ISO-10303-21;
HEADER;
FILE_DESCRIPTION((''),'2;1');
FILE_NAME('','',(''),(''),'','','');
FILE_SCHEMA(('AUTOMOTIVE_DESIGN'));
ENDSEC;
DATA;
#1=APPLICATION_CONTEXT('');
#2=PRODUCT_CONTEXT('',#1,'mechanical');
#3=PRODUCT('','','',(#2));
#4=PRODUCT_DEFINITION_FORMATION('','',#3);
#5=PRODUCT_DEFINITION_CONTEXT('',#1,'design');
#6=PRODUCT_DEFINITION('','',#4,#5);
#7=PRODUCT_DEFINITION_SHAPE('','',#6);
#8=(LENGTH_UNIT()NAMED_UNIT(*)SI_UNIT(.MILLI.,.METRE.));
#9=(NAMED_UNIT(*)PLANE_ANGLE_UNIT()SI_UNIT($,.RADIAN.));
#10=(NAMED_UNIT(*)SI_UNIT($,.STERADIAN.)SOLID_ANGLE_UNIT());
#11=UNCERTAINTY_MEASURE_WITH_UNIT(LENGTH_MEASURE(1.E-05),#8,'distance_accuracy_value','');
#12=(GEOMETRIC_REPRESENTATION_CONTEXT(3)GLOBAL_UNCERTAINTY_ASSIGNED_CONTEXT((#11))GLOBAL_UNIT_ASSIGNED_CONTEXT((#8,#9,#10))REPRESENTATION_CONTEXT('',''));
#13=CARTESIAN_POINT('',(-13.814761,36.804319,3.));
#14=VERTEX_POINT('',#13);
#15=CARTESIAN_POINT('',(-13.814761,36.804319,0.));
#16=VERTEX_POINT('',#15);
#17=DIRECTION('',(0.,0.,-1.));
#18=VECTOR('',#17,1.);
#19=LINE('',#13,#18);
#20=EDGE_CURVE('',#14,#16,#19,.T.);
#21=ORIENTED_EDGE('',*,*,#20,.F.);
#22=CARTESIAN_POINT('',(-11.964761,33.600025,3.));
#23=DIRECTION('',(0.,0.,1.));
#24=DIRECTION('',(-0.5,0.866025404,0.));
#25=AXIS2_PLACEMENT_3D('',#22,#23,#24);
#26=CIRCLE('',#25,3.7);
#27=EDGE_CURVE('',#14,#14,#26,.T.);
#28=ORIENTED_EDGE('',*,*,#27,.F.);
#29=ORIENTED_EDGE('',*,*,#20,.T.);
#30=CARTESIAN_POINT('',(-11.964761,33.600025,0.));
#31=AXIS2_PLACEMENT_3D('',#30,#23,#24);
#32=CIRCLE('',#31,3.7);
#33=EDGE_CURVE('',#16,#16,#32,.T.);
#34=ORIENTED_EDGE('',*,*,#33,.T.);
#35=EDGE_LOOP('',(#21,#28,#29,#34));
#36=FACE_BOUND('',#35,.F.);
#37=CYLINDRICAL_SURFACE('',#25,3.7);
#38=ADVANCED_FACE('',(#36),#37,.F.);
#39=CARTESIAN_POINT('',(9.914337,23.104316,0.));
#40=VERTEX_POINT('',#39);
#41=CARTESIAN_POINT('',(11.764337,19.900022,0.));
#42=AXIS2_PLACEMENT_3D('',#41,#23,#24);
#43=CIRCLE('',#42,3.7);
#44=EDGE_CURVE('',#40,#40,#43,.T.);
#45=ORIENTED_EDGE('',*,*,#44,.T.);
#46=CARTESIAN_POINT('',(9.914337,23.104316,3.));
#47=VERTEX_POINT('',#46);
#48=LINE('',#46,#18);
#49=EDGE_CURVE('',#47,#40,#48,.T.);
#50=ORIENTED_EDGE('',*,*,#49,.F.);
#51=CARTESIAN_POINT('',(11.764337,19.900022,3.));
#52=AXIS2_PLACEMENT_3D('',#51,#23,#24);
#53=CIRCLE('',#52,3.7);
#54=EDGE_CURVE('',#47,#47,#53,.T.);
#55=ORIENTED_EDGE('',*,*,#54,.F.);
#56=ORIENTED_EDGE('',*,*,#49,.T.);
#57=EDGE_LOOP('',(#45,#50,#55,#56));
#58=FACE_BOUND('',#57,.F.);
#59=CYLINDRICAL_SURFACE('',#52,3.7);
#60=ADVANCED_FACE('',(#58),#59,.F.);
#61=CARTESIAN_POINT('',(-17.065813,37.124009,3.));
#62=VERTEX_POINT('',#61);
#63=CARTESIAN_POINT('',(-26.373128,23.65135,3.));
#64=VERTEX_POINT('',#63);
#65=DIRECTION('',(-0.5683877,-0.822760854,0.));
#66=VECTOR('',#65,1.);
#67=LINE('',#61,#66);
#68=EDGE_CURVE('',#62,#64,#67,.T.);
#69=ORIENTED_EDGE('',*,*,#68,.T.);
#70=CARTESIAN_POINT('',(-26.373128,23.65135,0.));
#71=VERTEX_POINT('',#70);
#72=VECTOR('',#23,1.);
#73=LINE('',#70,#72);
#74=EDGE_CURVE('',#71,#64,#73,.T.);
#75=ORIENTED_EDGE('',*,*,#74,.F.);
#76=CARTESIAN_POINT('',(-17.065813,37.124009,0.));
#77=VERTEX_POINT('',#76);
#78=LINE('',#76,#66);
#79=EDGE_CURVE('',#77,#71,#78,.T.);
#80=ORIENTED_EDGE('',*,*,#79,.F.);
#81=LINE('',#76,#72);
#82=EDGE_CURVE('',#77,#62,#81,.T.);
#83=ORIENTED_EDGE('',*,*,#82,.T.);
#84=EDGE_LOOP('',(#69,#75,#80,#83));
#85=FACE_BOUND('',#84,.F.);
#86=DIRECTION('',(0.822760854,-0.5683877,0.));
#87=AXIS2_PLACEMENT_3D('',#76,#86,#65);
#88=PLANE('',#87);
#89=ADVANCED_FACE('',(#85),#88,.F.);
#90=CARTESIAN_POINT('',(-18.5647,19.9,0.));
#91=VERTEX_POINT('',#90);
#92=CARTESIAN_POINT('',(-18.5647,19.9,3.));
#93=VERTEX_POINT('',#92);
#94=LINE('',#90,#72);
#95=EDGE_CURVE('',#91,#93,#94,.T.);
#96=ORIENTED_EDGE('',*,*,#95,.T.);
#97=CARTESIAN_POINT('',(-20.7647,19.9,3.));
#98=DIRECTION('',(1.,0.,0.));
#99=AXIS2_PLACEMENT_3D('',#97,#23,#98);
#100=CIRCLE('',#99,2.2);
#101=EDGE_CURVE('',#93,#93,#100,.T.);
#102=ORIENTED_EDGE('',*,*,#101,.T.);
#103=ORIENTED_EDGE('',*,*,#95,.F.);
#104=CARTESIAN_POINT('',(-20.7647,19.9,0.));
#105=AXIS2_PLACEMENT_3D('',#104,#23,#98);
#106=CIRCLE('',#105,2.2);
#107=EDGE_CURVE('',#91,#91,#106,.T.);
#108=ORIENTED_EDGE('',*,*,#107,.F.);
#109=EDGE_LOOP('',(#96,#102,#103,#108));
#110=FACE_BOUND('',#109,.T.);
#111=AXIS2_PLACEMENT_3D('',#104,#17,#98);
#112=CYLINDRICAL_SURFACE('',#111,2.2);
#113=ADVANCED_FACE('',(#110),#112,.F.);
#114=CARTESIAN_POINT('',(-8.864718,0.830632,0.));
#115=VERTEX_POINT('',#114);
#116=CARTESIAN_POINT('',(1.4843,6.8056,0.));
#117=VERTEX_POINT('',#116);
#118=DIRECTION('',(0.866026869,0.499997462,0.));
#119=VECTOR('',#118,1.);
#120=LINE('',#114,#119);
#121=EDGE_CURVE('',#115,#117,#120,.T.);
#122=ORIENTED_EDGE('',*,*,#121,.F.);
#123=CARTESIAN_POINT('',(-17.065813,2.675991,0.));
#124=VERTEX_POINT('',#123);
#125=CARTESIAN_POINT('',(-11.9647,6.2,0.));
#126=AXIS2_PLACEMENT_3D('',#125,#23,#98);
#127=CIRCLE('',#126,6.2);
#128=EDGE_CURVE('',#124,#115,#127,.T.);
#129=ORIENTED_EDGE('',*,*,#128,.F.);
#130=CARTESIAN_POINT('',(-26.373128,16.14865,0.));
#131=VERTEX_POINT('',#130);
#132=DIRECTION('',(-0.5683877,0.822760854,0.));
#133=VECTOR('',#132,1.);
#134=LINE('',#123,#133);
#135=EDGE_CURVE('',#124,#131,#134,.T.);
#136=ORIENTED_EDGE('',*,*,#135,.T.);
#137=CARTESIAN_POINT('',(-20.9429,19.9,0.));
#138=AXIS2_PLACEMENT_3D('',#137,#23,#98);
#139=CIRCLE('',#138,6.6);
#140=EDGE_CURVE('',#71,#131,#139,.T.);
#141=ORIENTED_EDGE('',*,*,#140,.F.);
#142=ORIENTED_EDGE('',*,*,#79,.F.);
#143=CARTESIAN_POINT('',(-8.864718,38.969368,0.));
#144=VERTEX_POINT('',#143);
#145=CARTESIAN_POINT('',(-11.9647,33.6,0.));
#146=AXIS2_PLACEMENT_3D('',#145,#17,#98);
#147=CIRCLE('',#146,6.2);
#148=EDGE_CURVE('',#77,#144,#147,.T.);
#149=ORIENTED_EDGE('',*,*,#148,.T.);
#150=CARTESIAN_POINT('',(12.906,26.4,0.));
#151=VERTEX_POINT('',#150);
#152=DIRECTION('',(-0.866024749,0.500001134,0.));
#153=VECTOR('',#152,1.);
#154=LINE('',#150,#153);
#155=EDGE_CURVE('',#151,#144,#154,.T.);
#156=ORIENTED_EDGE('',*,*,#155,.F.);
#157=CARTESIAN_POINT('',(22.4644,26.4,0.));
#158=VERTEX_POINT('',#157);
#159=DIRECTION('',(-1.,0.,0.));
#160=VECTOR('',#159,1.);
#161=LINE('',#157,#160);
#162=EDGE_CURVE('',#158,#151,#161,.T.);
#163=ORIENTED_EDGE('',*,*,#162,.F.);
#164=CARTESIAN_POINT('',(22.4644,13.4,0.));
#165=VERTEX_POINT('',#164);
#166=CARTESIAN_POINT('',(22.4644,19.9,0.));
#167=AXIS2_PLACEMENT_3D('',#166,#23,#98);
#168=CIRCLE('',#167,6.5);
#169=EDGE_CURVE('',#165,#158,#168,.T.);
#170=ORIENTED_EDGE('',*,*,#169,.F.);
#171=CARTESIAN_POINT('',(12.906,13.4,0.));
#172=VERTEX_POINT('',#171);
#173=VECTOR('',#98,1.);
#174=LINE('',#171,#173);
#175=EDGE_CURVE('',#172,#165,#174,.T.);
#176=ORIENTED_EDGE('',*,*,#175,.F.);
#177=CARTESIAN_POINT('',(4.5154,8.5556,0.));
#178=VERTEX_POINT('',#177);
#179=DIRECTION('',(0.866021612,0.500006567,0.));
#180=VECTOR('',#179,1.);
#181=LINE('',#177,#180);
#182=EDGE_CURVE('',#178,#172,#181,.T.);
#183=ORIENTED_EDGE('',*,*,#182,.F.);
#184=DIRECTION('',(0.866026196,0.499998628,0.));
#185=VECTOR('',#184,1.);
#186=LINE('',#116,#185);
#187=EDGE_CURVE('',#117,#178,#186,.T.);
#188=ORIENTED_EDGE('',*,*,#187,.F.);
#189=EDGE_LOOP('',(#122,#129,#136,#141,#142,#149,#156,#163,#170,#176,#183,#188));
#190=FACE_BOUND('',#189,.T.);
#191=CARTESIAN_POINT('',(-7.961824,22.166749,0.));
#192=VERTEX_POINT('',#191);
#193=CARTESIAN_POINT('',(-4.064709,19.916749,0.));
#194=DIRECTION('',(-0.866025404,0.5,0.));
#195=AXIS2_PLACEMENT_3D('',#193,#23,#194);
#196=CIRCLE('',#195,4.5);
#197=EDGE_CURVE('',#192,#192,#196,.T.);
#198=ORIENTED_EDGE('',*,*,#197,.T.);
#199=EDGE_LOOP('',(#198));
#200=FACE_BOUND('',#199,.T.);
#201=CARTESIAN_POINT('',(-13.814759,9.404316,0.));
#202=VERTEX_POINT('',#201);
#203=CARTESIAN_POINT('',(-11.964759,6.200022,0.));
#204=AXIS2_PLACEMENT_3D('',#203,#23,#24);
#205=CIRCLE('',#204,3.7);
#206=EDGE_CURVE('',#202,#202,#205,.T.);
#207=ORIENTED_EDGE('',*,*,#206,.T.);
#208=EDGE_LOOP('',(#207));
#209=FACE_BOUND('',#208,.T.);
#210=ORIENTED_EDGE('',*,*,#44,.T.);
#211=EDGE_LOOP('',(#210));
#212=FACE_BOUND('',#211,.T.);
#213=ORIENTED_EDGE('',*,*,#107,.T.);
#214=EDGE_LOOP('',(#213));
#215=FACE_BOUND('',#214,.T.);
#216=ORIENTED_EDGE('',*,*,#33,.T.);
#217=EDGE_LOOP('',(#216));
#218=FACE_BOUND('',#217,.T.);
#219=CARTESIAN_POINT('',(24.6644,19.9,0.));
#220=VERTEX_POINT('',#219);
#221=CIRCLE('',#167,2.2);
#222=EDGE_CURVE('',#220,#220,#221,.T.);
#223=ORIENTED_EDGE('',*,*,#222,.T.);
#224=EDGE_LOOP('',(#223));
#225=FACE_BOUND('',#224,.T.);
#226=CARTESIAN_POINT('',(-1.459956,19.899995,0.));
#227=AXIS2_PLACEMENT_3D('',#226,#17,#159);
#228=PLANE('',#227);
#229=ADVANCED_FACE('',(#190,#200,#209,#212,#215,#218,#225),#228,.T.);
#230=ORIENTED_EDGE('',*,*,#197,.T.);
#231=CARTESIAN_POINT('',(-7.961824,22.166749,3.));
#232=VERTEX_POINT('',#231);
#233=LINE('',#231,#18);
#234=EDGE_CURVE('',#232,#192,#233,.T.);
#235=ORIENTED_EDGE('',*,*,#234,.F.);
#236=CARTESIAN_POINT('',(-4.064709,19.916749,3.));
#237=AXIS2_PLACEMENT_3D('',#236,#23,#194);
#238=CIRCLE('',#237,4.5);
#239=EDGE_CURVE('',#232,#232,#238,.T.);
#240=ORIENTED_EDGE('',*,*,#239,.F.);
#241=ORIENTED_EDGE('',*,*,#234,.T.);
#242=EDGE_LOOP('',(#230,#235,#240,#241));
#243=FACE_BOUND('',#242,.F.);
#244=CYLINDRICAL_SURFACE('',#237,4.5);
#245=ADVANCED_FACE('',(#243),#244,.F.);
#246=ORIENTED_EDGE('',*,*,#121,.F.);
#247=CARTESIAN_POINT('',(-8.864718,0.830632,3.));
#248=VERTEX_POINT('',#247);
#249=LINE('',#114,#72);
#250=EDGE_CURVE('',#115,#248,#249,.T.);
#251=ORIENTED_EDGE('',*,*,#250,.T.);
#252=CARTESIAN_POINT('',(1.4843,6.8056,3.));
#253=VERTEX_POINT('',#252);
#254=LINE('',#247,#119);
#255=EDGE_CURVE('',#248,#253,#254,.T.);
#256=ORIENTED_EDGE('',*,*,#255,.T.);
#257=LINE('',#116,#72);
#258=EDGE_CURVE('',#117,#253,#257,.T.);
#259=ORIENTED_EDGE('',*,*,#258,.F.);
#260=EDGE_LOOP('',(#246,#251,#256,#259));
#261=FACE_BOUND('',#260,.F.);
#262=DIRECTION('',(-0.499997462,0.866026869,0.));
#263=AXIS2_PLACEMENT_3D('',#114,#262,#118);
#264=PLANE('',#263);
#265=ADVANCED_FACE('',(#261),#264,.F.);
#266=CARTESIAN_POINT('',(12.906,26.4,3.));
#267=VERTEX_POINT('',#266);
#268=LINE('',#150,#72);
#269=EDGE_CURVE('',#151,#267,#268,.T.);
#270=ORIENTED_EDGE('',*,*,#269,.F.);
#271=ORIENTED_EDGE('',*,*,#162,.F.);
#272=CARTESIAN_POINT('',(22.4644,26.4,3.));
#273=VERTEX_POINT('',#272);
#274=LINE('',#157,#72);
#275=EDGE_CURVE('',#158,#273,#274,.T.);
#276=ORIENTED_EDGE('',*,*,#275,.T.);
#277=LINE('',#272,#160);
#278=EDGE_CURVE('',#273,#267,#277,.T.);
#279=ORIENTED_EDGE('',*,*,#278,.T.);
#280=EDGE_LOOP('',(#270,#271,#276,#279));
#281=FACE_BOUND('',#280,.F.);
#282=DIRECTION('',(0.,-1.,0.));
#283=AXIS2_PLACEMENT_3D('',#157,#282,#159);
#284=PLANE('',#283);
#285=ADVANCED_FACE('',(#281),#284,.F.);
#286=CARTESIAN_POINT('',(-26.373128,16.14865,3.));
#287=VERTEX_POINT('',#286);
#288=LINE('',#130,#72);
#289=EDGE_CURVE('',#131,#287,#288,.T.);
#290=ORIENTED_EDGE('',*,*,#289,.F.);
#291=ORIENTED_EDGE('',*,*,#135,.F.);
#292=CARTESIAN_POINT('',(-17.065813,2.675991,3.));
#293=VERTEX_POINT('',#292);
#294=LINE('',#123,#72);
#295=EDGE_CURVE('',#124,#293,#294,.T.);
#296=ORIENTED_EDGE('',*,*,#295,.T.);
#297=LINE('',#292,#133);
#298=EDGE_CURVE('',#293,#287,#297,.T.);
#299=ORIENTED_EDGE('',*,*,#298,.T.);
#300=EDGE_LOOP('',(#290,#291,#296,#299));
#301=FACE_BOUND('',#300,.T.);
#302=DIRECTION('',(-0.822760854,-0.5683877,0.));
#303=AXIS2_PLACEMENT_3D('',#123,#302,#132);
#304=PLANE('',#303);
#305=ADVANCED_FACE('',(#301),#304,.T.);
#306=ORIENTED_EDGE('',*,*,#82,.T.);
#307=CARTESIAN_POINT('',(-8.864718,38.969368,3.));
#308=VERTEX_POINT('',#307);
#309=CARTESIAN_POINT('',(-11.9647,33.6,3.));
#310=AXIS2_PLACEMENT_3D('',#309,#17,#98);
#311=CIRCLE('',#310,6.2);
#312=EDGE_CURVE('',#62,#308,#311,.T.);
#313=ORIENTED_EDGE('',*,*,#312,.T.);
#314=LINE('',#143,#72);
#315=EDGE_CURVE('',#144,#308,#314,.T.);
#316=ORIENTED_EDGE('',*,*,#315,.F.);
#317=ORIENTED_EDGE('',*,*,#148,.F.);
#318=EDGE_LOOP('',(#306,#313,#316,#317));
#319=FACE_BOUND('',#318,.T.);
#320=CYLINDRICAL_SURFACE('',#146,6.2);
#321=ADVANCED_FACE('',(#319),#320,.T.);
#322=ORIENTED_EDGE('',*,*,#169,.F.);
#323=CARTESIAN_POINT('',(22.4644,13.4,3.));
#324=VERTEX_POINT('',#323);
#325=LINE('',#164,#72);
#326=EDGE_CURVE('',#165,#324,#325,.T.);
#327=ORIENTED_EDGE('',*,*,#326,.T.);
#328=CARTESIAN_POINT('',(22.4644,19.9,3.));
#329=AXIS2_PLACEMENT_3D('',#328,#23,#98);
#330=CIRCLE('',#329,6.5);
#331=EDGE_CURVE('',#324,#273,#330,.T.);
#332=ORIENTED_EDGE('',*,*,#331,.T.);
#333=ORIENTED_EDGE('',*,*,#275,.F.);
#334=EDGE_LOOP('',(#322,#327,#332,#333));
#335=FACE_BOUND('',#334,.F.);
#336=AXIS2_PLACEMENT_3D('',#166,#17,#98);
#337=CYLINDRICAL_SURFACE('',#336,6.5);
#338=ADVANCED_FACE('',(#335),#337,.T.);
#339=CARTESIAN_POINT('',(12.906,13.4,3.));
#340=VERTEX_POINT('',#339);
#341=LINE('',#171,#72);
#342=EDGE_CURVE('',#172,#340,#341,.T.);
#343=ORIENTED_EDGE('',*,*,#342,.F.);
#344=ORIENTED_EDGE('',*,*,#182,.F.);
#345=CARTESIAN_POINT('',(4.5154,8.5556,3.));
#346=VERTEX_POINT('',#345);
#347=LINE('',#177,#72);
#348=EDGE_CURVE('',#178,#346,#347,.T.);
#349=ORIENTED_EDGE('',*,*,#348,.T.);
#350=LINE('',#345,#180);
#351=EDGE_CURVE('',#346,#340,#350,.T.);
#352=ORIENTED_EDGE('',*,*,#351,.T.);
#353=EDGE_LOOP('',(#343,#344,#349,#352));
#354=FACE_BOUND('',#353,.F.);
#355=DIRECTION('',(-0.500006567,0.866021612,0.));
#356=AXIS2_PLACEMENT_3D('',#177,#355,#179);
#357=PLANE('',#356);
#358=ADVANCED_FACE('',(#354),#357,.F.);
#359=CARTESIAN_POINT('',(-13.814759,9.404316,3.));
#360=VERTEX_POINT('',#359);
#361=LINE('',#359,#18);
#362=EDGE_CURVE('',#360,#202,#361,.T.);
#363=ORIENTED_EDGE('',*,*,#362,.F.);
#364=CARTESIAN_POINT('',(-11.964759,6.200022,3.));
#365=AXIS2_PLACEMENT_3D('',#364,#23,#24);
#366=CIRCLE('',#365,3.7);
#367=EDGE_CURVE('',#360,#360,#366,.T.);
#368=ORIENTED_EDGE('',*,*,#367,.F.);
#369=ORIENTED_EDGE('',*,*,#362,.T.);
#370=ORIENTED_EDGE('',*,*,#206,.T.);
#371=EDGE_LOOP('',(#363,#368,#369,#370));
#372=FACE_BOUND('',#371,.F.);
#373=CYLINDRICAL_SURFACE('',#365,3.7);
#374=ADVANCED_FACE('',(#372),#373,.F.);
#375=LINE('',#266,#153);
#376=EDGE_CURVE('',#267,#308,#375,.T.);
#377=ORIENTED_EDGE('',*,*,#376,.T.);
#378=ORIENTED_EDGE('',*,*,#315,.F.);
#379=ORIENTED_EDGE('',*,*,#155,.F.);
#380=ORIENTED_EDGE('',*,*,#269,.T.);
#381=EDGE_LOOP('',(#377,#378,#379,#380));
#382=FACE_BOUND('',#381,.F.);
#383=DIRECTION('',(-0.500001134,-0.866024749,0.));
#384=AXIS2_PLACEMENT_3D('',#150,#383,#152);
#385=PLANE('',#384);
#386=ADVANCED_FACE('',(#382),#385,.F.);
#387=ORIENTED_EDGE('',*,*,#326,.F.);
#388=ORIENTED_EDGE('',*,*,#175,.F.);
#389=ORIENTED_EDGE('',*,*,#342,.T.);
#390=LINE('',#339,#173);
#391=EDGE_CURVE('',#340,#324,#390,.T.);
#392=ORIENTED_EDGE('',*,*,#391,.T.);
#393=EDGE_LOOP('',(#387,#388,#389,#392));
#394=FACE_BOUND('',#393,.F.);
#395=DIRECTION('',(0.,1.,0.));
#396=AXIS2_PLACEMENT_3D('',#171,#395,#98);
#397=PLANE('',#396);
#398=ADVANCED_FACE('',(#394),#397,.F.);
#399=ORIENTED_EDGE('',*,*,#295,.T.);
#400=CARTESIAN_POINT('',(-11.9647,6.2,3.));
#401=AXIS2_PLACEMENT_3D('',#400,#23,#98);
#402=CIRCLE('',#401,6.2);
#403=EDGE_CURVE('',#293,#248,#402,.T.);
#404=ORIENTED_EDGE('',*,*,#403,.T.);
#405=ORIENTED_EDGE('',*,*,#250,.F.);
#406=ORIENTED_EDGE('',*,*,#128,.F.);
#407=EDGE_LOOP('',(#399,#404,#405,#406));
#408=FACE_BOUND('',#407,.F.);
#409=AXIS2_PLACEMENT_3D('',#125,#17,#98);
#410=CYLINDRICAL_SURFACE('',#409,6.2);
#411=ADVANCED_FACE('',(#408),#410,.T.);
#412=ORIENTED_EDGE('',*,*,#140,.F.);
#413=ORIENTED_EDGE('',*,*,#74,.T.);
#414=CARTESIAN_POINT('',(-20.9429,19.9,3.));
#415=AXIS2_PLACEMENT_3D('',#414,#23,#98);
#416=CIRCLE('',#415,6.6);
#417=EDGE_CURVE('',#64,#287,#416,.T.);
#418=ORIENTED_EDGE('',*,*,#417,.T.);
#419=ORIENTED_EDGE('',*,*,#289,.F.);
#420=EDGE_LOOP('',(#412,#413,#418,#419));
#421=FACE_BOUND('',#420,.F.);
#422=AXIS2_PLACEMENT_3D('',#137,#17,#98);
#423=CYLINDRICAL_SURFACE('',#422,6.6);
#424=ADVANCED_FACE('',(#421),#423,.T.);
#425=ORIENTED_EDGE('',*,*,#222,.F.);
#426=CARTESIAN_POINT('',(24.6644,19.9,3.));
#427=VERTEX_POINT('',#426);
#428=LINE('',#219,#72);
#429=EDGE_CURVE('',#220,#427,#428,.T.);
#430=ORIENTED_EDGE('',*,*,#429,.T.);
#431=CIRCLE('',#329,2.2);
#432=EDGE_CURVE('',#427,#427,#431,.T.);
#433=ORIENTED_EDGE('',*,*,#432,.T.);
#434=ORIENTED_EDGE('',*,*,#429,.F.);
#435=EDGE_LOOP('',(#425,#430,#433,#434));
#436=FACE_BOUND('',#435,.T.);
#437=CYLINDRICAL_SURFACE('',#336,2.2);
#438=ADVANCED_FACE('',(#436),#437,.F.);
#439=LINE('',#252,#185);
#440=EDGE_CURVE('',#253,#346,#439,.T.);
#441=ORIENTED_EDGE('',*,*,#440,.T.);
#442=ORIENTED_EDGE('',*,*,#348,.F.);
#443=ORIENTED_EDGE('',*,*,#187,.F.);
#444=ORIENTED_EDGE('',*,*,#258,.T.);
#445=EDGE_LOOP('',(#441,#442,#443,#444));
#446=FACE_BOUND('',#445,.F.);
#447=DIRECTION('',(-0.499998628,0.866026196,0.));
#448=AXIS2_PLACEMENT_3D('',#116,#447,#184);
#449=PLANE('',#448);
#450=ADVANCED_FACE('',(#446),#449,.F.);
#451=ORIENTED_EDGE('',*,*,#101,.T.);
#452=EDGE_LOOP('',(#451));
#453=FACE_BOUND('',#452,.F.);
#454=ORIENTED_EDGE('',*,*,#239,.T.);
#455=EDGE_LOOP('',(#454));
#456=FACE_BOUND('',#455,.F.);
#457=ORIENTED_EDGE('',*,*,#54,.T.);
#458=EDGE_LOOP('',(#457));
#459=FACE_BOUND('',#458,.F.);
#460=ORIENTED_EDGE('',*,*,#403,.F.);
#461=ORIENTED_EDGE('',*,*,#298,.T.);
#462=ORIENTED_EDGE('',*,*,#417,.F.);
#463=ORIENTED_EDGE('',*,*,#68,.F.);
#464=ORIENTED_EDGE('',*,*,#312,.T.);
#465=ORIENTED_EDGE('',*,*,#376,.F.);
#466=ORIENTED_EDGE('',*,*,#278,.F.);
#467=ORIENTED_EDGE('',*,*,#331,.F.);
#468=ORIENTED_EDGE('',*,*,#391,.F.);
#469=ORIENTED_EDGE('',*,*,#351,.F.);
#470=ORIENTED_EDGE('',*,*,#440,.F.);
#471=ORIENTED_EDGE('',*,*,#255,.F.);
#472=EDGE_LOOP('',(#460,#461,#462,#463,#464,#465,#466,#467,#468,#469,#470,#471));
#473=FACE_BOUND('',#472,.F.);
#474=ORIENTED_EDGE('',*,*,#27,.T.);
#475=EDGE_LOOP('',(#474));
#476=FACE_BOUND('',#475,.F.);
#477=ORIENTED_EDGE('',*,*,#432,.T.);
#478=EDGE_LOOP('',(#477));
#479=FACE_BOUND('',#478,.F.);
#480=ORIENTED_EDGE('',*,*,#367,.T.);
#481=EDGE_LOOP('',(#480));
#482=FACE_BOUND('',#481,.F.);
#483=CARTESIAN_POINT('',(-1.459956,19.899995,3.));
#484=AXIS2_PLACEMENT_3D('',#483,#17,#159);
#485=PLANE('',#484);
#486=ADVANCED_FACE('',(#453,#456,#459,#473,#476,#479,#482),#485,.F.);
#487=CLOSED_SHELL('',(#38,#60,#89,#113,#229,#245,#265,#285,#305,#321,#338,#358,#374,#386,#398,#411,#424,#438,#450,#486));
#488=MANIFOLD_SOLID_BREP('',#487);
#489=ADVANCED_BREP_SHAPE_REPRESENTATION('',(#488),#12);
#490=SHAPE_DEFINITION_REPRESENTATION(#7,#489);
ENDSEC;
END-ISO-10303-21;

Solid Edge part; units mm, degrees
sketch "Sketch1" plane through (0, 0, 0) normal (0, 0, 1) x (1, 0, 0)
  line L0 (-17.0658, 2.676) -> (-26.3732, 16.1486)
  arc A0 (-26.3732, 23.6514) -> (-26.3732, 16.1486) centre (-20.9429, 19.9) ccw
  line L1 (-17.0658, 37.124) -> (-26.3732, 23.6514)
  arc A1 (-17.0658, 37.124) -> (-8.8647, 38.9694) centre (-11.9647, 33.6) cw
  line L2 (12.906, 26.4) -> (-8.8647, 38.9694)
  line L3 (22.4644, 26.4) -> (12.906, 26.4)
  arc A2 (22.4644, 13.4) -> (22.4644, 26.4) centre (22.4644, 19.9) ccw
  line L4 (12.906, 13.4) -> (22.4644, 13.4)
  line L5 (4.5154, 8.5556) -> (12.906, 13.4)
  line L6 (1.4843, 6.8056) -> (4.5154, 8.5556)
  line L7 (-8.8647, 0.8306) -> (1.4843, 6.8056)
  arc A3 (-17.0658, 2.676) -> (-8.8647, 0.8306) centre (-11.9647, 6.2) ccw
  circle A4 centre (-20.7647, 19.9) radius 2.2
  circle A5 centre (22.4644, 19.9) radius 2.2
extrude "Protrusion1" add sketch "Sketch1" along normal blind 3
sketch "Sketch2" plane through (-1.5893, 19.9, 3) normal (0, 0, 1) x (-0.5, 0.866, 0)
  circle A0 centre (-6.6768, 15.8354) radius 3.7
  circle A1 centre (17.0523, 2.1354) radius 3.7
  circle A2 centre (-6.6768, -11.5646) radius 3.7
extrude "ExtrudedCutout_1" cut sketch "Sketch2" against normal blind 80.9131
sketch "Sketch3" plane through (0.7107, 19.9, 3) normal (0, 0, 1) x (-0.866, 0.5, 0)
  circle A0 centre (4.144, 2.3732) radius 4.5
extrude "Cutout1" cut sketch "Sketch3" against normal blind 107.7727
